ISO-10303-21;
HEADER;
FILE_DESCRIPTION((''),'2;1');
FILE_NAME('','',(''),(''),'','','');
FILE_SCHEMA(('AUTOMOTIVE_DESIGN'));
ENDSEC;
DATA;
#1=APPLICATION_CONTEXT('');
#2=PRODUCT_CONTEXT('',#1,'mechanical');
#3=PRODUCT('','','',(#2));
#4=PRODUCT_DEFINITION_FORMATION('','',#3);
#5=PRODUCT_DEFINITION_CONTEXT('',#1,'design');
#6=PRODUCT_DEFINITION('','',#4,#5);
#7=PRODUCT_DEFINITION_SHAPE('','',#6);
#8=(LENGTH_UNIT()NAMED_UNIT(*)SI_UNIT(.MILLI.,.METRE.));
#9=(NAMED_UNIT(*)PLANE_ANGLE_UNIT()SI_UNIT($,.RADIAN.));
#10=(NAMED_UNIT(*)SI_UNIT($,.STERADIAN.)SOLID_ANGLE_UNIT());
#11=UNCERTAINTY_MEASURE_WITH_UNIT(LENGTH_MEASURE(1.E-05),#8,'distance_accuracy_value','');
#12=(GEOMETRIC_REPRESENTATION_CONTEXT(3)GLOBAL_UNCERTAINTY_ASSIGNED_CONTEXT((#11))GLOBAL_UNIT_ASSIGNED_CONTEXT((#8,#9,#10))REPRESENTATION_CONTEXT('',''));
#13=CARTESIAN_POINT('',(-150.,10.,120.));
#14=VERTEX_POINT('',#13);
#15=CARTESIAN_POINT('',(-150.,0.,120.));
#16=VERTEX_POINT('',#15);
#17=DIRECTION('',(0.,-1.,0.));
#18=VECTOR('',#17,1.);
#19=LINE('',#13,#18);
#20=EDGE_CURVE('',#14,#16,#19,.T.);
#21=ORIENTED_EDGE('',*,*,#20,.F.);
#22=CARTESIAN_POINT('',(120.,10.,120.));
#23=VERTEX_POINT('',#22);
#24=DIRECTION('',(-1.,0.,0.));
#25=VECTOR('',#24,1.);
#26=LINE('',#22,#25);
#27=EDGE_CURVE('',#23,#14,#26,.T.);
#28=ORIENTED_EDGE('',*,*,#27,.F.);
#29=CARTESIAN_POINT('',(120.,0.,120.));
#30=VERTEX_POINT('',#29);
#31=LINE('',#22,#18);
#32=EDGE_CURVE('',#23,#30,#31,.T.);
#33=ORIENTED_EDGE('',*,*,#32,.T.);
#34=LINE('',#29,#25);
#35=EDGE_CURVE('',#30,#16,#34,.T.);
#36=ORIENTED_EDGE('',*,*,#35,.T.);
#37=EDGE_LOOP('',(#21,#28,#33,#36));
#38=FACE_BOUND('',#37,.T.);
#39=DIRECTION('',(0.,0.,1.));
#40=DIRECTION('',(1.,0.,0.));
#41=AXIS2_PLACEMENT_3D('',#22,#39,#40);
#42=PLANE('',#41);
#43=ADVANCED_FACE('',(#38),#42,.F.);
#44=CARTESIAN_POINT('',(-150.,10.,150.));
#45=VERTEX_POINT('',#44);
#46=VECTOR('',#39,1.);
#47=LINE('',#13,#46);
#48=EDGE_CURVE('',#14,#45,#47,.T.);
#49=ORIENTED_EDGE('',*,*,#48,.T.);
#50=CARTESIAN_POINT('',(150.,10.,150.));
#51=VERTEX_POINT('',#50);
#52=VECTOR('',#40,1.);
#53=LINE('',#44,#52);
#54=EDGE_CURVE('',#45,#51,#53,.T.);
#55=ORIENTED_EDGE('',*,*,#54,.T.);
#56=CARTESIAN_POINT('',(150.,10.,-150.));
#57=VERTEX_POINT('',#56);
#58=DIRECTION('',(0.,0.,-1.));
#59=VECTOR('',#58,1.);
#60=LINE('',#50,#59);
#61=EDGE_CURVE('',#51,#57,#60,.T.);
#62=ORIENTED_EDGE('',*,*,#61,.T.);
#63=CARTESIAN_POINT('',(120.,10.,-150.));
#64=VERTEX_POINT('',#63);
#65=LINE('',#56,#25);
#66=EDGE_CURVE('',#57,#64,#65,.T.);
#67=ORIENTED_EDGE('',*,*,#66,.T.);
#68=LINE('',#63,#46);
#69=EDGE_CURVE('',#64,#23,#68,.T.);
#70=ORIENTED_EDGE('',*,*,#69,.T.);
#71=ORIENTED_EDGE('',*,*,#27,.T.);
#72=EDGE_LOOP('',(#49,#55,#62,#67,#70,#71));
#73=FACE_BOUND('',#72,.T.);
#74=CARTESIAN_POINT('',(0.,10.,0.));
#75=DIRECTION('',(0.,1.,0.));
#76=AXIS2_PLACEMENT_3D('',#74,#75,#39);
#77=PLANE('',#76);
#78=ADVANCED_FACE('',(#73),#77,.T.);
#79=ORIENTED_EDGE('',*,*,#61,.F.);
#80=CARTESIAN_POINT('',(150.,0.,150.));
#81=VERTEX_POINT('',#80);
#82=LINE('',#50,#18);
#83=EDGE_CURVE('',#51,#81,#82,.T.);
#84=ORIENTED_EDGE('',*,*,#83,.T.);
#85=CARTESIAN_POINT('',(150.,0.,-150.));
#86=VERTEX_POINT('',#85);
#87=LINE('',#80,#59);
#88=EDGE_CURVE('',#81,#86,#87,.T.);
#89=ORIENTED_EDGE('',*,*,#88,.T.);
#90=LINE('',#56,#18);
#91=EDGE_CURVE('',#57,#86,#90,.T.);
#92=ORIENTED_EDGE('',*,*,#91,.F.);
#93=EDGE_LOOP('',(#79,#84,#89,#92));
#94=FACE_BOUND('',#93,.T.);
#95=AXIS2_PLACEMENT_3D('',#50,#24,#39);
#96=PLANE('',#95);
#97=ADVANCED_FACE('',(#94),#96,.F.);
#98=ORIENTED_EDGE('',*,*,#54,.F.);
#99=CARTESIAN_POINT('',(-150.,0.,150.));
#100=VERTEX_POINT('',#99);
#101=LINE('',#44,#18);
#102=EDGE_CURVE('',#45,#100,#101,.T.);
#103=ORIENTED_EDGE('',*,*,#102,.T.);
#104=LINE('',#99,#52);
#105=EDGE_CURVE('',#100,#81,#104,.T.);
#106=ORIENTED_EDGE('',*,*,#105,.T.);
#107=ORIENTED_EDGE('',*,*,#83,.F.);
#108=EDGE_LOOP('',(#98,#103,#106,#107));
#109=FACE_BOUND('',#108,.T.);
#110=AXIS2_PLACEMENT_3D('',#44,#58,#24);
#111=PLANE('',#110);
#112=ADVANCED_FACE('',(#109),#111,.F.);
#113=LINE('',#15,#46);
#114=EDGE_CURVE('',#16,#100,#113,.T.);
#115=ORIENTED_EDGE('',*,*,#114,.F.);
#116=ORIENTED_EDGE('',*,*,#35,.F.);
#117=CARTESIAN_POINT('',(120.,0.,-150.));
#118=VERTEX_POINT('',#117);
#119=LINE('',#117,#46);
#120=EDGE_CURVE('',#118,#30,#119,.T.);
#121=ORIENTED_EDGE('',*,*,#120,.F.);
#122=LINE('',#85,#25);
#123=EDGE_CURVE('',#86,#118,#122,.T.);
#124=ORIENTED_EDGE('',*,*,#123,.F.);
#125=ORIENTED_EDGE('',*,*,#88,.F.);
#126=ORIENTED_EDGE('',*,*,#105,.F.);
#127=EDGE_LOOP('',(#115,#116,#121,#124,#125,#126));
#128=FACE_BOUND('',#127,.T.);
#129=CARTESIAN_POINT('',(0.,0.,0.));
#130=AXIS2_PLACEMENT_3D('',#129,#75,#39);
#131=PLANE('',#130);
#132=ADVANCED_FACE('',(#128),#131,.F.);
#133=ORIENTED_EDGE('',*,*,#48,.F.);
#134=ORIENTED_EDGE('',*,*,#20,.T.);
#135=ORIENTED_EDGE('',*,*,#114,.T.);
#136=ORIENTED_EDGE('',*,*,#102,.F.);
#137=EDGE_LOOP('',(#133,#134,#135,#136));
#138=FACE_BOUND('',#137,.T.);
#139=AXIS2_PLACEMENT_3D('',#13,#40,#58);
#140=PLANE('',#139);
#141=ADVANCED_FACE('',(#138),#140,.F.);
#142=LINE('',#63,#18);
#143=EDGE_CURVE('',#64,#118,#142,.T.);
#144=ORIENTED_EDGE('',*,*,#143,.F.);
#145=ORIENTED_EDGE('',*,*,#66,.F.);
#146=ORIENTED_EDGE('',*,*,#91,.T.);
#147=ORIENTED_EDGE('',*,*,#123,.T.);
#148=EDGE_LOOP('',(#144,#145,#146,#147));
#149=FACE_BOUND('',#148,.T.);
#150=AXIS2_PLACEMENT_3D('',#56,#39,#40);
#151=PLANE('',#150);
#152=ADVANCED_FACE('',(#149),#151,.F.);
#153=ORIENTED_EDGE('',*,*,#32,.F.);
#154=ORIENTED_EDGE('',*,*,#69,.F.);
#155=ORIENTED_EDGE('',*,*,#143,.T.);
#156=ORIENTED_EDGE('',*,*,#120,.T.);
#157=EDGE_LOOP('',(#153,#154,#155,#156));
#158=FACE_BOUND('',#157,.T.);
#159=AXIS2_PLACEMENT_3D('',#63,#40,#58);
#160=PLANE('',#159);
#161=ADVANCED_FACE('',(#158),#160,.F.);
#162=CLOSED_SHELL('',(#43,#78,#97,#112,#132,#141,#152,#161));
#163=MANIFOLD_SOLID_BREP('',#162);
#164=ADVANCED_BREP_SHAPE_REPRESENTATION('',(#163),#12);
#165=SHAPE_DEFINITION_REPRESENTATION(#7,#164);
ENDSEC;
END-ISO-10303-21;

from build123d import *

# Parameters (mm, degrees)
BOSS_EXTRUDE1_DEPTH = 10


with BuildPart() as part:
    # Sketch1 → Boss-Extrude1 (new body)
    with BuildSketch(Plane(origin=(0, 0, 0), x_dir=(1, 0, 0), z_dir=(0, 1, 0))):
        Polygon((-150, -150), (150, -150), (150, 150), (120, 150), (120, -120), (-150, -120), align=None)
    extrude(amount=BOSS_EXTRUDE1_DEPTH)


solid = part.part
